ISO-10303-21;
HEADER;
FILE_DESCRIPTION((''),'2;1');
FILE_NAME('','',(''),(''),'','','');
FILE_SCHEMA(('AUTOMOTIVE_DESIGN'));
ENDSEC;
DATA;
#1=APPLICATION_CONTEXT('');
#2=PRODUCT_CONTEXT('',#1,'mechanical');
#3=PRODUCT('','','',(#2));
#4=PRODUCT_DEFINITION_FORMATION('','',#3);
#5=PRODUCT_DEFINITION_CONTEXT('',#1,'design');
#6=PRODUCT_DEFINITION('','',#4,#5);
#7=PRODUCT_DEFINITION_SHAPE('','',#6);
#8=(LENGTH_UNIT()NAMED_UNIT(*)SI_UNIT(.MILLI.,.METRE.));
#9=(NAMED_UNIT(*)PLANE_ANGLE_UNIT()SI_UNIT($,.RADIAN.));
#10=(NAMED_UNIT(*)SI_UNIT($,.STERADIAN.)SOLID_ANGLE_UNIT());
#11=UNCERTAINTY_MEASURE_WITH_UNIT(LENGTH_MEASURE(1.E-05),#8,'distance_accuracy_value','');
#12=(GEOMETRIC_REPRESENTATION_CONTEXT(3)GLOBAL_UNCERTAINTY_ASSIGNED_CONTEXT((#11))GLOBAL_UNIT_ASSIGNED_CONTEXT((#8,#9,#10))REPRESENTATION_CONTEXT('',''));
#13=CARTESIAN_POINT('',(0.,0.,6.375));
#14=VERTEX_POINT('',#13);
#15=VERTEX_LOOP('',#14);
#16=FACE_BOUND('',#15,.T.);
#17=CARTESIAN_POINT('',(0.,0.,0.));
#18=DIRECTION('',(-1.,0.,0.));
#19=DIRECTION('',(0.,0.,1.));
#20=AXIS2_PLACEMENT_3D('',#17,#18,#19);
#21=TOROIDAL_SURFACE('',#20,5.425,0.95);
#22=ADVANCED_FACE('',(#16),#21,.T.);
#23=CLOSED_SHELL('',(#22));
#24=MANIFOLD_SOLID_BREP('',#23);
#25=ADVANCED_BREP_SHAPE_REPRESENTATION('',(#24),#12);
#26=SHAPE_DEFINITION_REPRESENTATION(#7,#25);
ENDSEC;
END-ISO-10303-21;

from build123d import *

# Parameters (mm, degrees)
SKETCH4_R = 0.95


with BuildPart() as part:
    # Sketch4 → Revolve1 (revolve)
    with BuildSketch(Plane.XY, mode=Mode.PRIVATE) as revolve1_sk:
        with Locations((0, 5.425)):
            Circle(SKETCH4_R)
    revolve(revolve1_sk.sketch.rotate(Axis((0, 0, 0), (1, 0, 0)), 90), axis=Axis((0, 0, 0), (1, 0, 0)))


solid = part.part
